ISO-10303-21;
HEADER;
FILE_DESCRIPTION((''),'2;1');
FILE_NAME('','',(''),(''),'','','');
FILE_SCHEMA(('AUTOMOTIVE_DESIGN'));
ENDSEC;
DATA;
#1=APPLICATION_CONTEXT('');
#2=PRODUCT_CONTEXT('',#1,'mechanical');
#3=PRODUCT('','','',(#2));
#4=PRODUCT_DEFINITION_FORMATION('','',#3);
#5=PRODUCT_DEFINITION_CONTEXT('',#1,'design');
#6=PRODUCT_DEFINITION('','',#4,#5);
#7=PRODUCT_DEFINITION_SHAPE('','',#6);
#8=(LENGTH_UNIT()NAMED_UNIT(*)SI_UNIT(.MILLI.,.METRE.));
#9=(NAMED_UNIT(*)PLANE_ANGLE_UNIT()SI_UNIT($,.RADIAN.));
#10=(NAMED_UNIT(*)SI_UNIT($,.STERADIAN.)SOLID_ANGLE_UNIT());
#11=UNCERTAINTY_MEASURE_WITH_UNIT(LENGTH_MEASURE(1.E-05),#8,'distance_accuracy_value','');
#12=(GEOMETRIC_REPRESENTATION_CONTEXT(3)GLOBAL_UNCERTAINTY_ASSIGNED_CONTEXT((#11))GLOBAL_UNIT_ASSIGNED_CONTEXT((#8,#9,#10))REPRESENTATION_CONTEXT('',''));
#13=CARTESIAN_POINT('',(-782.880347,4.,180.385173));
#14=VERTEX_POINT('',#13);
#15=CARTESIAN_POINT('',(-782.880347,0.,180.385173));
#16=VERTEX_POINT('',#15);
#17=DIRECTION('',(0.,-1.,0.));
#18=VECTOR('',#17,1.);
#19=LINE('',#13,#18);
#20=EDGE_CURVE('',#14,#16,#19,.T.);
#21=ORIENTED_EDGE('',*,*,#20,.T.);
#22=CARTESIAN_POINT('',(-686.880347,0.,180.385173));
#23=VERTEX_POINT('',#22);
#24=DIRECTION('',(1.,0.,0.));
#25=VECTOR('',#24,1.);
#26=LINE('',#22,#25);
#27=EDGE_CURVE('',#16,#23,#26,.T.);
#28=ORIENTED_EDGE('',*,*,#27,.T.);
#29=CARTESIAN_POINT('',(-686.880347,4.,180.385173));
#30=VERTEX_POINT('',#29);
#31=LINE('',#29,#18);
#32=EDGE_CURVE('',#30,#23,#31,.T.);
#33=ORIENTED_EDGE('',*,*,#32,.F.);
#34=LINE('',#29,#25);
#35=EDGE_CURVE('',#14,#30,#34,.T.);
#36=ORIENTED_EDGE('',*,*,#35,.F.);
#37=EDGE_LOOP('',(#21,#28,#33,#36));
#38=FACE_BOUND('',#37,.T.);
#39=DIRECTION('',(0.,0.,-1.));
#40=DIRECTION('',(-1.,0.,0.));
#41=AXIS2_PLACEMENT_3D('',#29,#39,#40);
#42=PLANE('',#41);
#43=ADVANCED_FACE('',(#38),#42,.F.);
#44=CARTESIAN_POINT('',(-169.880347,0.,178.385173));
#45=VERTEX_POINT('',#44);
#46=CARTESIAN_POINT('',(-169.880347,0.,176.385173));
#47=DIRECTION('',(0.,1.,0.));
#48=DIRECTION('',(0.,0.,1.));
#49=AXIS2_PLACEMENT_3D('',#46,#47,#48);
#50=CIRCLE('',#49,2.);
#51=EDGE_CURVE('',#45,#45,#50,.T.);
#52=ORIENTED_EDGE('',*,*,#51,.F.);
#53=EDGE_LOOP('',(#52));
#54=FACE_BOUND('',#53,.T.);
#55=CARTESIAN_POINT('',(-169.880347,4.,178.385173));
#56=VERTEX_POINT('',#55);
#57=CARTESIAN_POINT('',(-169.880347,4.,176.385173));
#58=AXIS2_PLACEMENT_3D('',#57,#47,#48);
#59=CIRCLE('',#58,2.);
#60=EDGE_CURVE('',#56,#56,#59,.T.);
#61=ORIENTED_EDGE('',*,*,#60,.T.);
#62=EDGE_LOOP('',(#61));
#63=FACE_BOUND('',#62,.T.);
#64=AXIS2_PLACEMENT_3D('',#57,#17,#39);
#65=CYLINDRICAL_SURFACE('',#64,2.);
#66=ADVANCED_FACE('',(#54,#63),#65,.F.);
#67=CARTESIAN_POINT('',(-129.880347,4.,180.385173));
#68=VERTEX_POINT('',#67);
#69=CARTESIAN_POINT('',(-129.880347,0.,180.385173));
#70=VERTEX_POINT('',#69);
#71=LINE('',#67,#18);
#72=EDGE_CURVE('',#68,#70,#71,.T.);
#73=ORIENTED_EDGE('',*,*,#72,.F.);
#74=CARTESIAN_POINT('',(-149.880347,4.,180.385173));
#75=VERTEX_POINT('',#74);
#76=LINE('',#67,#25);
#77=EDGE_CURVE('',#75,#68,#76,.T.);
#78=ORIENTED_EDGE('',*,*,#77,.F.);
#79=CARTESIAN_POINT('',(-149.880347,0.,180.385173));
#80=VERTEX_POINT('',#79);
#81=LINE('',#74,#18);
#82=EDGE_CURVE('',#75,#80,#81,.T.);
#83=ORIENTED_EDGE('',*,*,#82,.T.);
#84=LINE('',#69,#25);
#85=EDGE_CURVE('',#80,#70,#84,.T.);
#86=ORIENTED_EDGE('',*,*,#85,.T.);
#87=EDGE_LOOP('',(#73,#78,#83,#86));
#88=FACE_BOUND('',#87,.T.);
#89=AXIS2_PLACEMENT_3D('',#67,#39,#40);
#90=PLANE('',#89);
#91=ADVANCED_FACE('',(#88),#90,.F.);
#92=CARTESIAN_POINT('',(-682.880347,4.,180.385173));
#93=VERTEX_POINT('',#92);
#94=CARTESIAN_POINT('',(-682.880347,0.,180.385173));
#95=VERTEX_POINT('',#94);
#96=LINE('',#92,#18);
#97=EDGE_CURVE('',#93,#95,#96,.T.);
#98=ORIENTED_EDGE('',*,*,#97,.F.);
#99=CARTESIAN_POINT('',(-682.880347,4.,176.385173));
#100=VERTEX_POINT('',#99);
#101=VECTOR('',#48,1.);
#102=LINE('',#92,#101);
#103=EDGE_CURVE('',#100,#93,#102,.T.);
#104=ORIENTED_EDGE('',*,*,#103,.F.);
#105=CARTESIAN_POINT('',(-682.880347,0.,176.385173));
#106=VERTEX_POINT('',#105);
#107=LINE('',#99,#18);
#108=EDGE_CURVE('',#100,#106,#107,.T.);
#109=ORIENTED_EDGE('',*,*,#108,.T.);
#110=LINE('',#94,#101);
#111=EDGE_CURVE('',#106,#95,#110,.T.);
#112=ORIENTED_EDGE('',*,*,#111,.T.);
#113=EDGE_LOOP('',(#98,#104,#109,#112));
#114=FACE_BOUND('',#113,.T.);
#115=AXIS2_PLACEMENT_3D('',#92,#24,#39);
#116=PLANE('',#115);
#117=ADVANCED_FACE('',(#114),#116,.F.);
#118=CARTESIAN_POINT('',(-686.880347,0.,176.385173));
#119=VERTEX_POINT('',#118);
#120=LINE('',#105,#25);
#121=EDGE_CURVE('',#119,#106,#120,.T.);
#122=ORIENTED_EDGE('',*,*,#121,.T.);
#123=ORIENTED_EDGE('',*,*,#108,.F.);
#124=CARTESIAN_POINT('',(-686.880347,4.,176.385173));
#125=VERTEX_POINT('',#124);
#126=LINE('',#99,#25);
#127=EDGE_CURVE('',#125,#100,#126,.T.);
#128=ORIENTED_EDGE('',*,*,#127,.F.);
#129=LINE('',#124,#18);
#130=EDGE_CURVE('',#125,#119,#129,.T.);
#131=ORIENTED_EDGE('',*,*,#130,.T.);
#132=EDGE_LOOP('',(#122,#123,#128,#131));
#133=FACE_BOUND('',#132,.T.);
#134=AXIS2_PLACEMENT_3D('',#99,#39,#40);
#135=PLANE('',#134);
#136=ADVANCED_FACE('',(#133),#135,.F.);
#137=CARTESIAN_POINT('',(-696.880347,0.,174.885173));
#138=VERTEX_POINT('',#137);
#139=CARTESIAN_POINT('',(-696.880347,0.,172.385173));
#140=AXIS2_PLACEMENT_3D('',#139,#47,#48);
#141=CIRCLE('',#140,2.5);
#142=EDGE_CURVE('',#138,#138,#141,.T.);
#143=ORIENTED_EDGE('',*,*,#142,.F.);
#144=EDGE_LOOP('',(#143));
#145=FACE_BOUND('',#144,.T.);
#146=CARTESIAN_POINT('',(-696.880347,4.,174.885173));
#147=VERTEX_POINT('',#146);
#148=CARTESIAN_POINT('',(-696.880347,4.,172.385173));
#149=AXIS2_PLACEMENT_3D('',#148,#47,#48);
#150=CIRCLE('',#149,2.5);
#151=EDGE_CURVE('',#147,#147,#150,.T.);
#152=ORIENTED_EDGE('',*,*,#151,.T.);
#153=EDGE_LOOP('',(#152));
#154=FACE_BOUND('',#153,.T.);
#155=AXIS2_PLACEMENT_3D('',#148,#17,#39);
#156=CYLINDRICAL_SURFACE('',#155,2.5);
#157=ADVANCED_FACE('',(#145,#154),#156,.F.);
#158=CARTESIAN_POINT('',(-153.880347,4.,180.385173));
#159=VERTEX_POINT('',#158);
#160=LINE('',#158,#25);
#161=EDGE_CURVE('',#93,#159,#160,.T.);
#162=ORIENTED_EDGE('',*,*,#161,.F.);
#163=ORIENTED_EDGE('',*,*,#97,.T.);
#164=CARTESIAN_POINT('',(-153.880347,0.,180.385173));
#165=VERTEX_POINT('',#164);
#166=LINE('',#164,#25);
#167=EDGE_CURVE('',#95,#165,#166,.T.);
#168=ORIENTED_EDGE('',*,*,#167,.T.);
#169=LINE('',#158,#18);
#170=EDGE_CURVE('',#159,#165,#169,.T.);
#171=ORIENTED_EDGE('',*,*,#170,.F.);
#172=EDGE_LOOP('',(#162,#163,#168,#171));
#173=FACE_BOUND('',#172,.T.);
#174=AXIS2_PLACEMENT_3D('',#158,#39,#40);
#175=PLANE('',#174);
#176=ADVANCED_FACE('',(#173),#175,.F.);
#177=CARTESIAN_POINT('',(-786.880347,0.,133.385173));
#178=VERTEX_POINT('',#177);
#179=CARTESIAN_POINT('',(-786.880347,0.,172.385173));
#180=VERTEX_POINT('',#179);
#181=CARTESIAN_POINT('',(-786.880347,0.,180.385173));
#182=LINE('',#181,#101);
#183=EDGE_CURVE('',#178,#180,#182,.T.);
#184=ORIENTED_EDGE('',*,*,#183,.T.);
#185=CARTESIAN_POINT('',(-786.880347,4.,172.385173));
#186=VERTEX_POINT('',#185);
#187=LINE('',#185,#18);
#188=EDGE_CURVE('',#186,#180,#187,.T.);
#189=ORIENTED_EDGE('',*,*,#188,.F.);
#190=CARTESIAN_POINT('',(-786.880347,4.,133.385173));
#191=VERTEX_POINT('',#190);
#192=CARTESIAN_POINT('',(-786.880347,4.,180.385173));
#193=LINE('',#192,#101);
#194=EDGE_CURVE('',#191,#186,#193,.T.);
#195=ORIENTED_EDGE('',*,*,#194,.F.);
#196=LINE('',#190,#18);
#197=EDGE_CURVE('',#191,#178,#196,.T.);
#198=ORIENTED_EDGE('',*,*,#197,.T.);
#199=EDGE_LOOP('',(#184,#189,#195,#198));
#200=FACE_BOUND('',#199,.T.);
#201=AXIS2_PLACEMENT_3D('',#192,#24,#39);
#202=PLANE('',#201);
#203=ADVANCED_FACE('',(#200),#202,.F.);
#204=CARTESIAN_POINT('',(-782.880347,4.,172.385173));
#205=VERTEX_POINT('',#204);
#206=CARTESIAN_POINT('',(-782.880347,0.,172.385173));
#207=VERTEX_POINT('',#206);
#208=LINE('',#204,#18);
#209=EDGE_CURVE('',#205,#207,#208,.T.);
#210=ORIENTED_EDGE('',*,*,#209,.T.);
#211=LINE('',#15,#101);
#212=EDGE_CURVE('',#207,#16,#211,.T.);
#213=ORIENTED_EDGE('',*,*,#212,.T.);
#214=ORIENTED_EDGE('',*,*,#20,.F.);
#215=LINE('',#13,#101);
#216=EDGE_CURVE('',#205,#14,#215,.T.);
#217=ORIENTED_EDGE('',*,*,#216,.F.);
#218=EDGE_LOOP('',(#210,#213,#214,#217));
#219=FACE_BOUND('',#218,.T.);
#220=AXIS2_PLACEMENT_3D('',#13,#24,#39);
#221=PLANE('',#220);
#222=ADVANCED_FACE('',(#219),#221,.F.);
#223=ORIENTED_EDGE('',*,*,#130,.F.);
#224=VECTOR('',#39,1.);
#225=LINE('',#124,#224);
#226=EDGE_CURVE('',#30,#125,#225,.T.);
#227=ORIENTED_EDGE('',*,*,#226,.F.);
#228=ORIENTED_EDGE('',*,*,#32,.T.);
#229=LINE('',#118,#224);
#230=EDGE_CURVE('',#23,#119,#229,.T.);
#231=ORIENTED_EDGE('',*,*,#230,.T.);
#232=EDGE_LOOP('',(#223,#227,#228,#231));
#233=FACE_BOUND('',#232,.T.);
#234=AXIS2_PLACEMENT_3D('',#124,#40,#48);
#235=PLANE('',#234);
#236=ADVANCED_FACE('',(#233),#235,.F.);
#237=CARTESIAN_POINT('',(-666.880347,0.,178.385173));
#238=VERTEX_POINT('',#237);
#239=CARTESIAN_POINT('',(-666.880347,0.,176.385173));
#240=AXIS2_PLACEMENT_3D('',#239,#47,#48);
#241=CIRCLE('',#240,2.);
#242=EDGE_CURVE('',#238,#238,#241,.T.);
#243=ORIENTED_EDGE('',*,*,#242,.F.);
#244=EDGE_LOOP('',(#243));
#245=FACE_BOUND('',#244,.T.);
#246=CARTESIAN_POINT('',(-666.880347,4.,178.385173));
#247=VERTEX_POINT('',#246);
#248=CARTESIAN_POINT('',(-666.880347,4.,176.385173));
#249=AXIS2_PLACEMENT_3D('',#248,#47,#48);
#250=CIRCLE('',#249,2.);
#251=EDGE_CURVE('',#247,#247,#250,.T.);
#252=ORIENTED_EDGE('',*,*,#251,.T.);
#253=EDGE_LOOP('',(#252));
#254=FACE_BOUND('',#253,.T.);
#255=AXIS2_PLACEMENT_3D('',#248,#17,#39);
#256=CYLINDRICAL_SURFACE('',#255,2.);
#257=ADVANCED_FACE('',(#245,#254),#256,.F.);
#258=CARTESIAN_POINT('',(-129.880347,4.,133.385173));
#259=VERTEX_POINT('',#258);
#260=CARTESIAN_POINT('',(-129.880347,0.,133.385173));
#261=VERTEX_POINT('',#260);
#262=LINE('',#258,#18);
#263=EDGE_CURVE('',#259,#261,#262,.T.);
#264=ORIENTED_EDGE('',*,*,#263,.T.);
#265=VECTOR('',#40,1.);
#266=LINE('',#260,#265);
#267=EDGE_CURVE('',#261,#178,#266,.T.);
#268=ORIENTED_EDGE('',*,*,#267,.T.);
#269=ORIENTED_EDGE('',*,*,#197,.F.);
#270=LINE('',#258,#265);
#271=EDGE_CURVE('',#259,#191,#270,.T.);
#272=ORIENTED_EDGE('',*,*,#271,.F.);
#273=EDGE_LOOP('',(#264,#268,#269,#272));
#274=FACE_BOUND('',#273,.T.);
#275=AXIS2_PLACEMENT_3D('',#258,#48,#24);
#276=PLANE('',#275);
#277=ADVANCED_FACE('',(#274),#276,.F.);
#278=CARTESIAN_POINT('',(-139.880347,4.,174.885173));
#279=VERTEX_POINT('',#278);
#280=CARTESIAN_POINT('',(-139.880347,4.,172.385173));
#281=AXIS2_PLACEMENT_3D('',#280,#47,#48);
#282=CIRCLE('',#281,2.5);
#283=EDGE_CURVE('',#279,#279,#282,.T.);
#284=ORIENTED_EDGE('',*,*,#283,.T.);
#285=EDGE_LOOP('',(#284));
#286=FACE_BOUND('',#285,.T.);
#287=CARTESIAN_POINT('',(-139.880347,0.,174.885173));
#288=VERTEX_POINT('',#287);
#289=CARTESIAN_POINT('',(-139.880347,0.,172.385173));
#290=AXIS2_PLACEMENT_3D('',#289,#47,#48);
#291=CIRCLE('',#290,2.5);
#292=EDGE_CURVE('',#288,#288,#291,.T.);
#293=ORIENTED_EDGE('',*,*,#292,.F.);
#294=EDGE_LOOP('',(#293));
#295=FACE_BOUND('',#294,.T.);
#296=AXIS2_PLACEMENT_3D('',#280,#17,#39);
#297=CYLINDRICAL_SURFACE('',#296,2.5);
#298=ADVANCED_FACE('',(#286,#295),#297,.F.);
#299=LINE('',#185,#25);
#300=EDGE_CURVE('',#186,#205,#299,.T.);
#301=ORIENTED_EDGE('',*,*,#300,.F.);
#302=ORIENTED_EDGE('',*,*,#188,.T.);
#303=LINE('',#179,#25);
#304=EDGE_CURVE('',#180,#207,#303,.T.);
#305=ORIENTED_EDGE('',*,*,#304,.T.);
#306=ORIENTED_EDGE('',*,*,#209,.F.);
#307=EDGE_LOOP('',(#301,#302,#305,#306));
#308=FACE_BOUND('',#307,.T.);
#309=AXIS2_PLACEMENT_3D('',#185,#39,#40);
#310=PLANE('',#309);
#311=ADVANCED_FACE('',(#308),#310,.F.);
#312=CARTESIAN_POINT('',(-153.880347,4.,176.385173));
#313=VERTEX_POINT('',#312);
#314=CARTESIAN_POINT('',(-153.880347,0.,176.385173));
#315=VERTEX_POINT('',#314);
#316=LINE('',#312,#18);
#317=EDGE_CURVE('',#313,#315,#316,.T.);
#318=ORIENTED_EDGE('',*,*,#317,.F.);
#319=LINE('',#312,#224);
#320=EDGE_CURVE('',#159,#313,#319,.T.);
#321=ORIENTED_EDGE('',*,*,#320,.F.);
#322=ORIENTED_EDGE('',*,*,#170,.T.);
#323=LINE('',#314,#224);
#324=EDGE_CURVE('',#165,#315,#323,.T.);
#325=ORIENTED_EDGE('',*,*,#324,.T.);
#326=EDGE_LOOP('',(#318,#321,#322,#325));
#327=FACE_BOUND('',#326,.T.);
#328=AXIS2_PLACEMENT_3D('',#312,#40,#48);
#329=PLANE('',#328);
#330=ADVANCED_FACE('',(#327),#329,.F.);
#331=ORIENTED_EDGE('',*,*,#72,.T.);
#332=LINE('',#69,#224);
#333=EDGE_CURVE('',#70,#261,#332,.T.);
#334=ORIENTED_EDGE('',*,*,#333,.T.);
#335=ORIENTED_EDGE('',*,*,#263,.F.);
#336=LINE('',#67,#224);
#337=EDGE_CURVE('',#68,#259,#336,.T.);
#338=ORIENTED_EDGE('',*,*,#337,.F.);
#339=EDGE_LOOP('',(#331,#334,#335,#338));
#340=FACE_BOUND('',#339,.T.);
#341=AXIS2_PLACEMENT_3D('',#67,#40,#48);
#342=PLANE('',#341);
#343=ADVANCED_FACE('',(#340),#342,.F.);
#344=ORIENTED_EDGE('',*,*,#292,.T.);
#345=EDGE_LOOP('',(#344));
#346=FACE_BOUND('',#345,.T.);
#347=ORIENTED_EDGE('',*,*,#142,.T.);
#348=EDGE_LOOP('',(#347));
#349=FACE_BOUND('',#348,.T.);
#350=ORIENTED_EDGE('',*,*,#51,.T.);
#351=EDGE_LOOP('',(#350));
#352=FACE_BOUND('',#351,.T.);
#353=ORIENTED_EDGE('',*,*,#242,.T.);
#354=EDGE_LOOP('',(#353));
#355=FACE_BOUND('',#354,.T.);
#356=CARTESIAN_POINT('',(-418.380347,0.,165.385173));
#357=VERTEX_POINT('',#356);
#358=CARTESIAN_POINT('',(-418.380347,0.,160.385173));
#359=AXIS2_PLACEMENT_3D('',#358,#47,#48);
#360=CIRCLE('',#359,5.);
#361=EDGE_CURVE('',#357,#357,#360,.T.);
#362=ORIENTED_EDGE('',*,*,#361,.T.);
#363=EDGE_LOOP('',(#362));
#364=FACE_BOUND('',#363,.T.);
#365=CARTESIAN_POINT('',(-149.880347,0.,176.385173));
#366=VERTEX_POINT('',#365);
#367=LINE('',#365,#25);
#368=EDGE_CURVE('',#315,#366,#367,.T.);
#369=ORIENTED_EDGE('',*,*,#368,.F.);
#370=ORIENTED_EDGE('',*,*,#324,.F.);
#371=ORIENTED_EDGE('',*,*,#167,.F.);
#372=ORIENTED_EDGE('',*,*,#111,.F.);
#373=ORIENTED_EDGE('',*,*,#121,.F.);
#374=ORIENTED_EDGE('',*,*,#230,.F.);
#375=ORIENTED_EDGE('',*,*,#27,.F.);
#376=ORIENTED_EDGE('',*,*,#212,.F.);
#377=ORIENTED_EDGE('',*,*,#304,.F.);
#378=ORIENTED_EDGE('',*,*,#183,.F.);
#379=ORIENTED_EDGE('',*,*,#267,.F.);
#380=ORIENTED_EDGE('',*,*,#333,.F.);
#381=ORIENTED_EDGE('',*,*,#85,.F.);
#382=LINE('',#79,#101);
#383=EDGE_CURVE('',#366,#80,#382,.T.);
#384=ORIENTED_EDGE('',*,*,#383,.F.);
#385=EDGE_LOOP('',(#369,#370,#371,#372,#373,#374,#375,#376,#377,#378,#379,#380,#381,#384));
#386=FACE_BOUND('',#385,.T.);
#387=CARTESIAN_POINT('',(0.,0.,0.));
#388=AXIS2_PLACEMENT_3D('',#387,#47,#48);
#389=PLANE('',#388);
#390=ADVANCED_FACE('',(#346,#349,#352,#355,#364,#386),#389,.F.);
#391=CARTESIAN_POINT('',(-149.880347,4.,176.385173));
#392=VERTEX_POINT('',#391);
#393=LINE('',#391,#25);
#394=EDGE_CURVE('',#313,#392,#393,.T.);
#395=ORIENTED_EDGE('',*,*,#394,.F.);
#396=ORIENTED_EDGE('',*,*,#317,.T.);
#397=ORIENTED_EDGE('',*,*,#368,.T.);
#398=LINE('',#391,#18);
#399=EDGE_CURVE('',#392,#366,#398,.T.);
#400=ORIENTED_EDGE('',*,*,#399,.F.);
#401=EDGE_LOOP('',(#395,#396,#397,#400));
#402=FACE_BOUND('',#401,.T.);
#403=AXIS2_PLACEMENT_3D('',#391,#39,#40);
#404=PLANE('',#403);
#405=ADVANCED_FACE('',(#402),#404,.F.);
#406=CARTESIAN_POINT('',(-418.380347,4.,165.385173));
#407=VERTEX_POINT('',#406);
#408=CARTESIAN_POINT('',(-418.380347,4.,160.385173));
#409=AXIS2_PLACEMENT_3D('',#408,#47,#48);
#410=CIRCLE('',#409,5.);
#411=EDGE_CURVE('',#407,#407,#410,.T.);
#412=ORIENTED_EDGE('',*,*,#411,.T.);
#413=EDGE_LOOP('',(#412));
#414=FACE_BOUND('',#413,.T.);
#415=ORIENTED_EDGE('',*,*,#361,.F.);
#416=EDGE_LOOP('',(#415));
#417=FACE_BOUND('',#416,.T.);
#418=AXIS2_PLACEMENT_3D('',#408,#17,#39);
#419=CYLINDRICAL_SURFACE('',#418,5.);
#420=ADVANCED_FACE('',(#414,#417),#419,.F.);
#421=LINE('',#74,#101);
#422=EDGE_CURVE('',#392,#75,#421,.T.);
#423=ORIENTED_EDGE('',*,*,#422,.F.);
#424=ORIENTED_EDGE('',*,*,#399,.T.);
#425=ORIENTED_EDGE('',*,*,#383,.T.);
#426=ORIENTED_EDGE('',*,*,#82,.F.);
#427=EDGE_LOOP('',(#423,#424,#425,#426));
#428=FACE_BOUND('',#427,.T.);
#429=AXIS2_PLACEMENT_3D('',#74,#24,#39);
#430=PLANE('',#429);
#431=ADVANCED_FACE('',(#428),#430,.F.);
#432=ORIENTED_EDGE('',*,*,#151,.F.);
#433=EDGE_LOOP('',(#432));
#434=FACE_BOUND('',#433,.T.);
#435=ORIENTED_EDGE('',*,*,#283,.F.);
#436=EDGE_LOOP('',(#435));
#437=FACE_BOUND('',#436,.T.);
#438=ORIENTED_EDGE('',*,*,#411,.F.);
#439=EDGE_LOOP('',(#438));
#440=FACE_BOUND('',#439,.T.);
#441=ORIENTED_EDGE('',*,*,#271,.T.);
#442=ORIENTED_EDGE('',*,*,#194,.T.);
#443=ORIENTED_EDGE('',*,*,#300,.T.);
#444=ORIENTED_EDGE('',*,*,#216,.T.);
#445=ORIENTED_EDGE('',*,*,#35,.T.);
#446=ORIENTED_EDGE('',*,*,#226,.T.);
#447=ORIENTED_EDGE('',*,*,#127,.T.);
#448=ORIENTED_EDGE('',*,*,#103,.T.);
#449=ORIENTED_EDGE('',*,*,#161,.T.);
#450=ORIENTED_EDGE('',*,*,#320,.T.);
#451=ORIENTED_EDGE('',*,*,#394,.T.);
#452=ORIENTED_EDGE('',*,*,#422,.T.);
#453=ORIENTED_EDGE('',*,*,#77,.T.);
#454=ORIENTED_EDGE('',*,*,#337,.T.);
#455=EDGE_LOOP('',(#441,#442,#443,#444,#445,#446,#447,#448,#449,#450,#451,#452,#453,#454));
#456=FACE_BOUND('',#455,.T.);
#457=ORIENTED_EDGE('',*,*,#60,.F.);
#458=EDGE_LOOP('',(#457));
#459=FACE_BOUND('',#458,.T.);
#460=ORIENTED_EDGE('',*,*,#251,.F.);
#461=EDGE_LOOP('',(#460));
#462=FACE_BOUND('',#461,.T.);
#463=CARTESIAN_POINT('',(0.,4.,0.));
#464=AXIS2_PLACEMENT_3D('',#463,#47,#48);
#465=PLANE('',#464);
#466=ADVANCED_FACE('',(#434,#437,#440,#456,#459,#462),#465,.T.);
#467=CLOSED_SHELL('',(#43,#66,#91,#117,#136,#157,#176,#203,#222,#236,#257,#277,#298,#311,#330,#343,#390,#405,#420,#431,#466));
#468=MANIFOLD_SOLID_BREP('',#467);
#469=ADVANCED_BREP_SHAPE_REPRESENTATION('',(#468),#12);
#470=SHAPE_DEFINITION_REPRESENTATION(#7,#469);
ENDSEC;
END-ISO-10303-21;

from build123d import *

# Parameters (mm, degrees)
SKETCH1_R           = 2.5
SKETCH1_R_2         = 2
SKETCH1_R_3         = 5
BOSS_EXTRUDE1_DEPTH = 4
SKETCH2_W           = 4
SKETCH2_H           = 8
CUT_EXTRUDE1_DEPTH  = 4


with BuildPart() as part:
    # Sketch1 → Boss-Extrude1 (new body)
    with BuildSketch(Plane(origin=(-317.41656051, 0, 154.910133377), x_dir=(-1, 0, 0), z_dir=(0, 1, 0))):
        Polygon((-187.536213895, 25.475039652), (-167.536213895, 25.475039652), (-167.536213895, 21.475039652), (-163.536213895, 21.475039652), (-163.536213895, 25.475039652), (365.463786105, 25.475039652), (365.463786105, 21.475039652), (369.463786105, 21.475039652), (369.463786105, 25.475039652), (469.463786105, 25.475039652), (469.463786105, -21.524960348), (-187.536213895, -21.524960348), align=None)
        with Locations(Location((379.463786105, 17.475039652, 0), (0, 0, 90))):
            Circle(SKETCH1_R, mode=Mode.SUBTRACT)
        with Locations(Location((-177.536213895, 17.475039652, 0), (0, 0, 90))):
            Circle(SKETCH1_R, mode=Mode.SUBTRACT)
        with Locations(Location((349.463786105, 21.475039652, 0), (0, 0, 90))):
            Circle(SKETCH1_R_2, mode=Mode.SUBTRACT)
        with Locations(Location((-147.536213895, 21.475039652, 0), (0, 0, 90))):
            Circle(SKETCH1_R_2, mode=Mode.SUBTRACT)
        with Locations(Location((100.963786105, 5.475039652, 0), (0, 0, 90))):
            Circle(SKETCH1_R_3, mode=Mode.SUBTRACT)
    extrude(amount=BOSS_EXTRUDE1_DEPTH)

    # Sketch2 → Cut-Extrude1 (cut)
    with BuildSketch(Plane.XZ):
        with Locations((-784.880346614, 176.385173028)):
            Rectangle(SKETCH2_W, SKETCH2_H)
    extrude(amount=-CUT_EXTRUDE1_DEPTH, mode=Mode.SUBTRACT)


solid = part.part
